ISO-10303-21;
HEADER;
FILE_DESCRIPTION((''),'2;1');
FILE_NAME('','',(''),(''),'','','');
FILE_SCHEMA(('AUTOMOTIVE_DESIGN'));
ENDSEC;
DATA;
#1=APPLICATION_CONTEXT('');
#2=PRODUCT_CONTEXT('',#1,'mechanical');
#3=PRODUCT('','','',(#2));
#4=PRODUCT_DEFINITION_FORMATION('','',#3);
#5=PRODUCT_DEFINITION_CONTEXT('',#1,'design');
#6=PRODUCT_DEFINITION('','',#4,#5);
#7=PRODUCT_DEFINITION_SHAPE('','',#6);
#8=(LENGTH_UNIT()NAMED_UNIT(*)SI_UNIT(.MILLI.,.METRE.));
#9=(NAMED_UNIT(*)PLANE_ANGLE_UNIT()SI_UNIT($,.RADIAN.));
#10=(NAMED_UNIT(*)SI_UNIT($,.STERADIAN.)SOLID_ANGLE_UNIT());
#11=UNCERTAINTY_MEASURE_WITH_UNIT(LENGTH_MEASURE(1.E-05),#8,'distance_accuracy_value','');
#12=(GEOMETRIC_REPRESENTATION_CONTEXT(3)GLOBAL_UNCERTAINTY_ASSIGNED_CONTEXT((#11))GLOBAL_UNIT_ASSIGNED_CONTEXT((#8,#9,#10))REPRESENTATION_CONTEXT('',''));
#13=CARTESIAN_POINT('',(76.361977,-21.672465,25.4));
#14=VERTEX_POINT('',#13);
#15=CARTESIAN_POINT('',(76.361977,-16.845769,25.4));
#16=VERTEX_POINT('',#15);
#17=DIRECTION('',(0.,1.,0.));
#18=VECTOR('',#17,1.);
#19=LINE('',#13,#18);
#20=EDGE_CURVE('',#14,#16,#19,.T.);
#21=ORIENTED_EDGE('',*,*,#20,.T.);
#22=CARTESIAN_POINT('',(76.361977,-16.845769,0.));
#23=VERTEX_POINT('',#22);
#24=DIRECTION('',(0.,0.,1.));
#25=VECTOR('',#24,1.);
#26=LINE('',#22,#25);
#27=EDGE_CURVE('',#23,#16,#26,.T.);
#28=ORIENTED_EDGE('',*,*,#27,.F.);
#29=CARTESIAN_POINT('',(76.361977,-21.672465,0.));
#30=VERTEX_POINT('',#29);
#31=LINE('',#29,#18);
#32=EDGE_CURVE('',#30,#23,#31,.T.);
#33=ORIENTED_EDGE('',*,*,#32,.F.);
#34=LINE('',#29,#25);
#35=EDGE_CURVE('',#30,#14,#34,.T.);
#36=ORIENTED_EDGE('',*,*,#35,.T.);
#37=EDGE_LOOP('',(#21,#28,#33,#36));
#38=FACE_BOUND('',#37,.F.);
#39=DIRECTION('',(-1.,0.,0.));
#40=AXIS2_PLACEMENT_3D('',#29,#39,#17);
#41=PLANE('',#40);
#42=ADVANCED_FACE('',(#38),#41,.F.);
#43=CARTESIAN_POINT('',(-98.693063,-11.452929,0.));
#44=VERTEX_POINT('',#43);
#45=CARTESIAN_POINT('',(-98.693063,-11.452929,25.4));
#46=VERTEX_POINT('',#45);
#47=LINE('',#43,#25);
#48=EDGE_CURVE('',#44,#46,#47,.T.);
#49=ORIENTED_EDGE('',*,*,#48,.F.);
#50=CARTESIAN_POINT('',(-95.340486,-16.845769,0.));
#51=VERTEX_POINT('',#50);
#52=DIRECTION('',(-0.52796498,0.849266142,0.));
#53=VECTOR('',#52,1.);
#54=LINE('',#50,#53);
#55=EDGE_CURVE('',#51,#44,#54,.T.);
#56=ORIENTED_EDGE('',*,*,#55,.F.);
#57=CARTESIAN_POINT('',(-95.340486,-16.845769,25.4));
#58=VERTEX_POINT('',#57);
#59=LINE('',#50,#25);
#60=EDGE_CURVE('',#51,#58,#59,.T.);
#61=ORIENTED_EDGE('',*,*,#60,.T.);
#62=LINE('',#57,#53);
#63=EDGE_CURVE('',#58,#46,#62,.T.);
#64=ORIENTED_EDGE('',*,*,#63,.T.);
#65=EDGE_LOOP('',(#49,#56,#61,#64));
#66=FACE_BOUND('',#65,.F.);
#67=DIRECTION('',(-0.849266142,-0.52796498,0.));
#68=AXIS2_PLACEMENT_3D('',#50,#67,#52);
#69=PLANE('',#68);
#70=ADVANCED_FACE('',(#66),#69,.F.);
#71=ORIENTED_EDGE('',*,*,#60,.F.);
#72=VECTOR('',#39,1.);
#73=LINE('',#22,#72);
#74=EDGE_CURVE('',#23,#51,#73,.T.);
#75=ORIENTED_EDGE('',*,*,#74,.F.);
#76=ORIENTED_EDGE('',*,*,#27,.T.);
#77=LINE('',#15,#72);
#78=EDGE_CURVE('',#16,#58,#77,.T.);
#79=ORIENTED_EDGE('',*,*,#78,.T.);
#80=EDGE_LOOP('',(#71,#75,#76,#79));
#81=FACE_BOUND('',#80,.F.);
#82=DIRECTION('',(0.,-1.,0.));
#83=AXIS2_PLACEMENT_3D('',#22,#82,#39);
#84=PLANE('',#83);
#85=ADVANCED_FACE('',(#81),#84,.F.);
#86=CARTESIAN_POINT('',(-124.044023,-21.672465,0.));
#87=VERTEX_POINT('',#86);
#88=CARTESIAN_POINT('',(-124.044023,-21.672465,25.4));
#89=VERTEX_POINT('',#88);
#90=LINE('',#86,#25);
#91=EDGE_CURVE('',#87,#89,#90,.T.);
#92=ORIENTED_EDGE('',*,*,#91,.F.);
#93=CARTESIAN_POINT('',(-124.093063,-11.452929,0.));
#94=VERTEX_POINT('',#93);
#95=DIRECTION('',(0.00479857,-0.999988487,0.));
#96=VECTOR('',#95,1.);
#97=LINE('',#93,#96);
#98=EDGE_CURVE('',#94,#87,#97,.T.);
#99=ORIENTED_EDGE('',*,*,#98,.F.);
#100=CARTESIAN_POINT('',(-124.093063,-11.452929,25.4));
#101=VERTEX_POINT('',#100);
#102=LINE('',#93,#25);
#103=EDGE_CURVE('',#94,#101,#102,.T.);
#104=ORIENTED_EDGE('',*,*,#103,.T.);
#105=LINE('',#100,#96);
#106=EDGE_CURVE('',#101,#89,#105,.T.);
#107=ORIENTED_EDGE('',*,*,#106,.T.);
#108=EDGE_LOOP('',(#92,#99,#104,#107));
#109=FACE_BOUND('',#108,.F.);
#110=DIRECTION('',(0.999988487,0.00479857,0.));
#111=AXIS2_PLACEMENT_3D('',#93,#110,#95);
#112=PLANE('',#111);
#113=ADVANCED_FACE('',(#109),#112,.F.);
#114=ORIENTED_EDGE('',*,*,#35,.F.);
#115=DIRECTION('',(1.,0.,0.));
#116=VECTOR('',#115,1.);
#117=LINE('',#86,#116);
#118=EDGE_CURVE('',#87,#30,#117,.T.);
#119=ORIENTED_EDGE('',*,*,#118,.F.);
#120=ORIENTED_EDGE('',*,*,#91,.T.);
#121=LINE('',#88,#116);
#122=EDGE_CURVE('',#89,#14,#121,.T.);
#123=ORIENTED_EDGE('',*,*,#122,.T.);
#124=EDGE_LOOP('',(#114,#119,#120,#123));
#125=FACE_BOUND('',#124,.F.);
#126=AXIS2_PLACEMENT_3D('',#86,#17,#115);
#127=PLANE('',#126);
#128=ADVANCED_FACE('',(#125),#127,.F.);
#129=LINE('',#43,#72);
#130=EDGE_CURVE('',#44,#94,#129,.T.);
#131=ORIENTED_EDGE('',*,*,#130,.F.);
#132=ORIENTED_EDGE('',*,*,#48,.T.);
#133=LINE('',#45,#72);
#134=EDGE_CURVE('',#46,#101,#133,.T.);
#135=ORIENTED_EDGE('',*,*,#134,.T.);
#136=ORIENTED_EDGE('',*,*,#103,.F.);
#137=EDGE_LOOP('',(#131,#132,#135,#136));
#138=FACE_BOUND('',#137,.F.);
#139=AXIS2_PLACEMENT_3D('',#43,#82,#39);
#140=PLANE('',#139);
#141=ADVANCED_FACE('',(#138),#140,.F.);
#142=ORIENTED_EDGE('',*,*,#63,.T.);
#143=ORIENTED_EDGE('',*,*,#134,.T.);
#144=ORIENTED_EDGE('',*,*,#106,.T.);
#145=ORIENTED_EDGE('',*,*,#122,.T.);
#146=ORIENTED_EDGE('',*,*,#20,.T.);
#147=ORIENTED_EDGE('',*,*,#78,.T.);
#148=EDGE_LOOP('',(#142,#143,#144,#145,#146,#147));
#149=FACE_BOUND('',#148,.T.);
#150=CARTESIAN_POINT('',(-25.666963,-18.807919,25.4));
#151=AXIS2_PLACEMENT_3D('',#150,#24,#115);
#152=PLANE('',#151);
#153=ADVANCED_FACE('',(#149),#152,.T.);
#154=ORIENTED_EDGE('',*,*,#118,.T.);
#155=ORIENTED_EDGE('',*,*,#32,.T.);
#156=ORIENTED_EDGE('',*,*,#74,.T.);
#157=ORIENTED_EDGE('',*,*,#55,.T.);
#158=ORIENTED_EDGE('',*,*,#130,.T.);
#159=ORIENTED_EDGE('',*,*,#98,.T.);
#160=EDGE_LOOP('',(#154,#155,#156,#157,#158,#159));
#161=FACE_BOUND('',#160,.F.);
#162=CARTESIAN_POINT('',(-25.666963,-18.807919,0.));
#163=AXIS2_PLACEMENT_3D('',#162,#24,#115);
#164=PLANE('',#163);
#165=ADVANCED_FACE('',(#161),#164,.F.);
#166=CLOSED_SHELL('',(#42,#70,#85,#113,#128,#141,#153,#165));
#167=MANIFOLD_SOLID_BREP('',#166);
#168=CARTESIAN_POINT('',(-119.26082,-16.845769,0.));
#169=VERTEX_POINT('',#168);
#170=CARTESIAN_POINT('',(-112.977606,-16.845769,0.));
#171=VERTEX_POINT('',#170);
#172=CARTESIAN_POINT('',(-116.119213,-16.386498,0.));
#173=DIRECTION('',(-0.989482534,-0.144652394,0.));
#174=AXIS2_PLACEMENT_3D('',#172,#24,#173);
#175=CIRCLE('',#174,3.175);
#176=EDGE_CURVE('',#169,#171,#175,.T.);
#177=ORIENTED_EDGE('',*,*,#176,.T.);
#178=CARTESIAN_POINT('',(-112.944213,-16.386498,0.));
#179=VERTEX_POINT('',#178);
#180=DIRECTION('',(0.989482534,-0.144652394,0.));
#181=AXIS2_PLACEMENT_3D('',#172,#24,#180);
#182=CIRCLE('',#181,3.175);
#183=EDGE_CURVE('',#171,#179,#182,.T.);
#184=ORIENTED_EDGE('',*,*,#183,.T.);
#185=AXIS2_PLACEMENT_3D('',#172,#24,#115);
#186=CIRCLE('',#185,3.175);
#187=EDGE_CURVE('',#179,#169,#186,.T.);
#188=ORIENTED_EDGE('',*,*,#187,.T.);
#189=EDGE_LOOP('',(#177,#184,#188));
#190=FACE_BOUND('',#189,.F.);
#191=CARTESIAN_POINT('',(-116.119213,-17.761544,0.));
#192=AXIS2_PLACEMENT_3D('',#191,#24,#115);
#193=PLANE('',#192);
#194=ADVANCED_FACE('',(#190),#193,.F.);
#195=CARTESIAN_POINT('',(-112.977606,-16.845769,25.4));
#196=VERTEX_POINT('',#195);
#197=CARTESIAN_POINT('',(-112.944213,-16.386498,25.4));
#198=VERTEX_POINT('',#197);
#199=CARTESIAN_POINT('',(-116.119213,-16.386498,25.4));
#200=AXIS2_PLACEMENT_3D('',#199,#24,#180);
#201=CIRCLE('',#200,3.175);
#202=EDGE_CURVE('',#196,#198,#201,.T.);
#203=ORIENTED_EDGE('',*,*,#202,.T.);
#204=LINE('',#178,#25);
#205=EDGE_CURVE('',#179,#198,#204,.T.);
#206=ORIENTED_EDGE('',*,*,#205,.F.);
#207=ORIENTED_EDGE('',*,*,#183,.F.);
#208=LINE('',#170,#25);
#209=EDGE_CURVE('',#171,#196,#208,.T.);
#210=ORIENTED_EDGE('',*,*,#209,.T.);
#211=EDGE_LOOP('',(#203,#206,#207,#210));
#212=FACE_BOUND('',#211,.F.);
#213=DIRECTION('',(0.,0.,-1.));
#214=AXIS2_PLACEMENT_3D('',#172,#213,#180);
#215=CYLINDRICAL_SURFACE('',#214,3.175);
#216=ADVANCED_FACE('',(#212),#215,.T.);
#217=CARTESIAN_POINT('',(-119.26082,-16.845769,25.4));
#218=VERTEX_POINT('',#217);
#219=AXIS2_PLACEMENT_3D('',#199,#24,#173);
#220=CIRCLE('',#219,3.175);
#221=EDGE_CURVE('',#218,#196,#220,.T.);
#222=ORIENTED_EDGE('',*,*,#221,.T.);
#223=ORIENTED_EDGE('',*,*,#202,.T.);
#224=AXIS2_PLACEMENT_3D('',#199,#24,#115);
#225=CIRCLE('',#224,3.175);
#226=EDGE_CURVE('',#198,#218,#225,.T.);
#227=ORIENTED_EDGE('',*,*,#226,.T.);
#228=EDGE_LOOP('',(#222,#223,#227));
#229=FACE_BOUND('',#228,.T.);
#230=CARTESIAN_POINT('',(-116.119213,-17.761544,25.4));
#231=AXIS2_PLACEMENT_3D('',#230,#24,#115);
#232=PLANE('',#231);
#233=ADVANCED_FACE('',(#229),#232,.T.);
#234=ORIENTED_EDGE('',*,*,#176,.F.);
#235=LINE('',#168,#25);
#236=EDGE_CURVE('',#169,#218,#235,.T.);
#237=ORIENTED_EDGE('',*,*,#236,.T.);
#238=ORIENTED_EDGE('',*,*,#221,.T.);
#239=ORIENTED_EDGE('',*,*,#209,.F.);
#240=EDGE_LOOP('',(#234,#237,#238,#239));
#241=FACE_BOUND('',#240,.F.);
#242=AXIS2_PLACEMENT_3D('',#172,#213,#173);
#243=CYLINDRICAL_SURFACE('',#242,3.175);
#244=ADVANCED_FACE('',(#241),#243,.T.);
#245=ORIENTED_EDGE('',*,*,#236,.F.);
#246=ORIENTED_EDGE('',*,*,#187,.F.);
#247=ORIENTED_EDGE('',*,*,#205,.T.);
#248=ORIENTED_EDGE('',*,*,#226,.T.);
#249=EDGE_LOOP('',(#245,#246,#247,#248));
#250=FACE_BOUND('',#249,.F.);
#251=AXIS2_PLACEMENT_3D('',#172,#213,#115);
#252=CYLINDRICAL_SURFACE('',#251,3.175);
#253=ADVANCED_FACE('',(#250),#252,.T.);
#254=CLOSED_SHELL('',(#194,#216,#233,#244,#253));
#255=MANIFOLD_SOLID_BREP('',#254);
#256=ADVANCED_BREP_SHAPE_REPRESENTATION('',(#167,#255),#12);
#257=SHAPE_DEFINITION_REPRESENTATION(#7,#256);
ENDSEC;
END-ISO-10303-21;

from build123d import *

# Parameters (mm, degrees)
F2_DEPTH = 25.4


with BuildPart() as f2:
    # F0 (on Top) → F2 (new body)
    with BuildSketch(Plane.XY):
        Polygon((-124.0930631757, -11.4529291168), (-124.0440234542, -21.6724649072), (76.3619765458, -21.6724649072), (76.3619765458, -16.8457691168), (45.5234815489, -16.8457691168), (34.1813331581, -16.8457691168), (22.8391847673, -16.8457691168), (11.4970363766, -16.8457691168), (0.1548879858, -16.8457691168), (-11.187260405, -16.8457691168), (-22.5294087958, -16.8457691168), (-33.8715571866, -16.8457691168), (-45.2137055773, -16.8457691168), (-56.5558539681, -16.8457691168), (-67.8980023589, -16.8457691168), (-79.2401507497, -16.8457691168), (-95.3404855502, -16.8457691168), (-98.6930631757, -11.4529291168), align=None)
    extrude(amount=F2_DEPTH)


with BuildPart() as f2b:
    # F1 (on face) → F2, piece 2 (new body)
    with BuildSketch(Plane.XY):
        with BuildLine():
            Line((-112.9776063571, -16.8457691168), (-119.2608204474, -16.8457691168))
            ThreePointArc((-119.2608204474, -16.8457691168), (-116.1192134023, -19.5614977658), (-112.9776063571, -16.8457691168))
        make_face()
        with BuildLine():
            ThreePointArc((-112.9776063571, -16.8457691168), (-112.9525726452, -16.6167396295), (-112.9442134023, -16.3864977658))
            ThreePointArc((-112.9442134023, -16.3864977658), (-116.349455266, -13.2198570087), (-119.2608204474, -16.8457691168))
            Line((-119.2608204474, -16.8457691168), (-112.9776063571, -16.8457691168))
        make_face()
    extrude(amount=F2_DEPTH)


solid = Compound([f2.part, f2b.part])
